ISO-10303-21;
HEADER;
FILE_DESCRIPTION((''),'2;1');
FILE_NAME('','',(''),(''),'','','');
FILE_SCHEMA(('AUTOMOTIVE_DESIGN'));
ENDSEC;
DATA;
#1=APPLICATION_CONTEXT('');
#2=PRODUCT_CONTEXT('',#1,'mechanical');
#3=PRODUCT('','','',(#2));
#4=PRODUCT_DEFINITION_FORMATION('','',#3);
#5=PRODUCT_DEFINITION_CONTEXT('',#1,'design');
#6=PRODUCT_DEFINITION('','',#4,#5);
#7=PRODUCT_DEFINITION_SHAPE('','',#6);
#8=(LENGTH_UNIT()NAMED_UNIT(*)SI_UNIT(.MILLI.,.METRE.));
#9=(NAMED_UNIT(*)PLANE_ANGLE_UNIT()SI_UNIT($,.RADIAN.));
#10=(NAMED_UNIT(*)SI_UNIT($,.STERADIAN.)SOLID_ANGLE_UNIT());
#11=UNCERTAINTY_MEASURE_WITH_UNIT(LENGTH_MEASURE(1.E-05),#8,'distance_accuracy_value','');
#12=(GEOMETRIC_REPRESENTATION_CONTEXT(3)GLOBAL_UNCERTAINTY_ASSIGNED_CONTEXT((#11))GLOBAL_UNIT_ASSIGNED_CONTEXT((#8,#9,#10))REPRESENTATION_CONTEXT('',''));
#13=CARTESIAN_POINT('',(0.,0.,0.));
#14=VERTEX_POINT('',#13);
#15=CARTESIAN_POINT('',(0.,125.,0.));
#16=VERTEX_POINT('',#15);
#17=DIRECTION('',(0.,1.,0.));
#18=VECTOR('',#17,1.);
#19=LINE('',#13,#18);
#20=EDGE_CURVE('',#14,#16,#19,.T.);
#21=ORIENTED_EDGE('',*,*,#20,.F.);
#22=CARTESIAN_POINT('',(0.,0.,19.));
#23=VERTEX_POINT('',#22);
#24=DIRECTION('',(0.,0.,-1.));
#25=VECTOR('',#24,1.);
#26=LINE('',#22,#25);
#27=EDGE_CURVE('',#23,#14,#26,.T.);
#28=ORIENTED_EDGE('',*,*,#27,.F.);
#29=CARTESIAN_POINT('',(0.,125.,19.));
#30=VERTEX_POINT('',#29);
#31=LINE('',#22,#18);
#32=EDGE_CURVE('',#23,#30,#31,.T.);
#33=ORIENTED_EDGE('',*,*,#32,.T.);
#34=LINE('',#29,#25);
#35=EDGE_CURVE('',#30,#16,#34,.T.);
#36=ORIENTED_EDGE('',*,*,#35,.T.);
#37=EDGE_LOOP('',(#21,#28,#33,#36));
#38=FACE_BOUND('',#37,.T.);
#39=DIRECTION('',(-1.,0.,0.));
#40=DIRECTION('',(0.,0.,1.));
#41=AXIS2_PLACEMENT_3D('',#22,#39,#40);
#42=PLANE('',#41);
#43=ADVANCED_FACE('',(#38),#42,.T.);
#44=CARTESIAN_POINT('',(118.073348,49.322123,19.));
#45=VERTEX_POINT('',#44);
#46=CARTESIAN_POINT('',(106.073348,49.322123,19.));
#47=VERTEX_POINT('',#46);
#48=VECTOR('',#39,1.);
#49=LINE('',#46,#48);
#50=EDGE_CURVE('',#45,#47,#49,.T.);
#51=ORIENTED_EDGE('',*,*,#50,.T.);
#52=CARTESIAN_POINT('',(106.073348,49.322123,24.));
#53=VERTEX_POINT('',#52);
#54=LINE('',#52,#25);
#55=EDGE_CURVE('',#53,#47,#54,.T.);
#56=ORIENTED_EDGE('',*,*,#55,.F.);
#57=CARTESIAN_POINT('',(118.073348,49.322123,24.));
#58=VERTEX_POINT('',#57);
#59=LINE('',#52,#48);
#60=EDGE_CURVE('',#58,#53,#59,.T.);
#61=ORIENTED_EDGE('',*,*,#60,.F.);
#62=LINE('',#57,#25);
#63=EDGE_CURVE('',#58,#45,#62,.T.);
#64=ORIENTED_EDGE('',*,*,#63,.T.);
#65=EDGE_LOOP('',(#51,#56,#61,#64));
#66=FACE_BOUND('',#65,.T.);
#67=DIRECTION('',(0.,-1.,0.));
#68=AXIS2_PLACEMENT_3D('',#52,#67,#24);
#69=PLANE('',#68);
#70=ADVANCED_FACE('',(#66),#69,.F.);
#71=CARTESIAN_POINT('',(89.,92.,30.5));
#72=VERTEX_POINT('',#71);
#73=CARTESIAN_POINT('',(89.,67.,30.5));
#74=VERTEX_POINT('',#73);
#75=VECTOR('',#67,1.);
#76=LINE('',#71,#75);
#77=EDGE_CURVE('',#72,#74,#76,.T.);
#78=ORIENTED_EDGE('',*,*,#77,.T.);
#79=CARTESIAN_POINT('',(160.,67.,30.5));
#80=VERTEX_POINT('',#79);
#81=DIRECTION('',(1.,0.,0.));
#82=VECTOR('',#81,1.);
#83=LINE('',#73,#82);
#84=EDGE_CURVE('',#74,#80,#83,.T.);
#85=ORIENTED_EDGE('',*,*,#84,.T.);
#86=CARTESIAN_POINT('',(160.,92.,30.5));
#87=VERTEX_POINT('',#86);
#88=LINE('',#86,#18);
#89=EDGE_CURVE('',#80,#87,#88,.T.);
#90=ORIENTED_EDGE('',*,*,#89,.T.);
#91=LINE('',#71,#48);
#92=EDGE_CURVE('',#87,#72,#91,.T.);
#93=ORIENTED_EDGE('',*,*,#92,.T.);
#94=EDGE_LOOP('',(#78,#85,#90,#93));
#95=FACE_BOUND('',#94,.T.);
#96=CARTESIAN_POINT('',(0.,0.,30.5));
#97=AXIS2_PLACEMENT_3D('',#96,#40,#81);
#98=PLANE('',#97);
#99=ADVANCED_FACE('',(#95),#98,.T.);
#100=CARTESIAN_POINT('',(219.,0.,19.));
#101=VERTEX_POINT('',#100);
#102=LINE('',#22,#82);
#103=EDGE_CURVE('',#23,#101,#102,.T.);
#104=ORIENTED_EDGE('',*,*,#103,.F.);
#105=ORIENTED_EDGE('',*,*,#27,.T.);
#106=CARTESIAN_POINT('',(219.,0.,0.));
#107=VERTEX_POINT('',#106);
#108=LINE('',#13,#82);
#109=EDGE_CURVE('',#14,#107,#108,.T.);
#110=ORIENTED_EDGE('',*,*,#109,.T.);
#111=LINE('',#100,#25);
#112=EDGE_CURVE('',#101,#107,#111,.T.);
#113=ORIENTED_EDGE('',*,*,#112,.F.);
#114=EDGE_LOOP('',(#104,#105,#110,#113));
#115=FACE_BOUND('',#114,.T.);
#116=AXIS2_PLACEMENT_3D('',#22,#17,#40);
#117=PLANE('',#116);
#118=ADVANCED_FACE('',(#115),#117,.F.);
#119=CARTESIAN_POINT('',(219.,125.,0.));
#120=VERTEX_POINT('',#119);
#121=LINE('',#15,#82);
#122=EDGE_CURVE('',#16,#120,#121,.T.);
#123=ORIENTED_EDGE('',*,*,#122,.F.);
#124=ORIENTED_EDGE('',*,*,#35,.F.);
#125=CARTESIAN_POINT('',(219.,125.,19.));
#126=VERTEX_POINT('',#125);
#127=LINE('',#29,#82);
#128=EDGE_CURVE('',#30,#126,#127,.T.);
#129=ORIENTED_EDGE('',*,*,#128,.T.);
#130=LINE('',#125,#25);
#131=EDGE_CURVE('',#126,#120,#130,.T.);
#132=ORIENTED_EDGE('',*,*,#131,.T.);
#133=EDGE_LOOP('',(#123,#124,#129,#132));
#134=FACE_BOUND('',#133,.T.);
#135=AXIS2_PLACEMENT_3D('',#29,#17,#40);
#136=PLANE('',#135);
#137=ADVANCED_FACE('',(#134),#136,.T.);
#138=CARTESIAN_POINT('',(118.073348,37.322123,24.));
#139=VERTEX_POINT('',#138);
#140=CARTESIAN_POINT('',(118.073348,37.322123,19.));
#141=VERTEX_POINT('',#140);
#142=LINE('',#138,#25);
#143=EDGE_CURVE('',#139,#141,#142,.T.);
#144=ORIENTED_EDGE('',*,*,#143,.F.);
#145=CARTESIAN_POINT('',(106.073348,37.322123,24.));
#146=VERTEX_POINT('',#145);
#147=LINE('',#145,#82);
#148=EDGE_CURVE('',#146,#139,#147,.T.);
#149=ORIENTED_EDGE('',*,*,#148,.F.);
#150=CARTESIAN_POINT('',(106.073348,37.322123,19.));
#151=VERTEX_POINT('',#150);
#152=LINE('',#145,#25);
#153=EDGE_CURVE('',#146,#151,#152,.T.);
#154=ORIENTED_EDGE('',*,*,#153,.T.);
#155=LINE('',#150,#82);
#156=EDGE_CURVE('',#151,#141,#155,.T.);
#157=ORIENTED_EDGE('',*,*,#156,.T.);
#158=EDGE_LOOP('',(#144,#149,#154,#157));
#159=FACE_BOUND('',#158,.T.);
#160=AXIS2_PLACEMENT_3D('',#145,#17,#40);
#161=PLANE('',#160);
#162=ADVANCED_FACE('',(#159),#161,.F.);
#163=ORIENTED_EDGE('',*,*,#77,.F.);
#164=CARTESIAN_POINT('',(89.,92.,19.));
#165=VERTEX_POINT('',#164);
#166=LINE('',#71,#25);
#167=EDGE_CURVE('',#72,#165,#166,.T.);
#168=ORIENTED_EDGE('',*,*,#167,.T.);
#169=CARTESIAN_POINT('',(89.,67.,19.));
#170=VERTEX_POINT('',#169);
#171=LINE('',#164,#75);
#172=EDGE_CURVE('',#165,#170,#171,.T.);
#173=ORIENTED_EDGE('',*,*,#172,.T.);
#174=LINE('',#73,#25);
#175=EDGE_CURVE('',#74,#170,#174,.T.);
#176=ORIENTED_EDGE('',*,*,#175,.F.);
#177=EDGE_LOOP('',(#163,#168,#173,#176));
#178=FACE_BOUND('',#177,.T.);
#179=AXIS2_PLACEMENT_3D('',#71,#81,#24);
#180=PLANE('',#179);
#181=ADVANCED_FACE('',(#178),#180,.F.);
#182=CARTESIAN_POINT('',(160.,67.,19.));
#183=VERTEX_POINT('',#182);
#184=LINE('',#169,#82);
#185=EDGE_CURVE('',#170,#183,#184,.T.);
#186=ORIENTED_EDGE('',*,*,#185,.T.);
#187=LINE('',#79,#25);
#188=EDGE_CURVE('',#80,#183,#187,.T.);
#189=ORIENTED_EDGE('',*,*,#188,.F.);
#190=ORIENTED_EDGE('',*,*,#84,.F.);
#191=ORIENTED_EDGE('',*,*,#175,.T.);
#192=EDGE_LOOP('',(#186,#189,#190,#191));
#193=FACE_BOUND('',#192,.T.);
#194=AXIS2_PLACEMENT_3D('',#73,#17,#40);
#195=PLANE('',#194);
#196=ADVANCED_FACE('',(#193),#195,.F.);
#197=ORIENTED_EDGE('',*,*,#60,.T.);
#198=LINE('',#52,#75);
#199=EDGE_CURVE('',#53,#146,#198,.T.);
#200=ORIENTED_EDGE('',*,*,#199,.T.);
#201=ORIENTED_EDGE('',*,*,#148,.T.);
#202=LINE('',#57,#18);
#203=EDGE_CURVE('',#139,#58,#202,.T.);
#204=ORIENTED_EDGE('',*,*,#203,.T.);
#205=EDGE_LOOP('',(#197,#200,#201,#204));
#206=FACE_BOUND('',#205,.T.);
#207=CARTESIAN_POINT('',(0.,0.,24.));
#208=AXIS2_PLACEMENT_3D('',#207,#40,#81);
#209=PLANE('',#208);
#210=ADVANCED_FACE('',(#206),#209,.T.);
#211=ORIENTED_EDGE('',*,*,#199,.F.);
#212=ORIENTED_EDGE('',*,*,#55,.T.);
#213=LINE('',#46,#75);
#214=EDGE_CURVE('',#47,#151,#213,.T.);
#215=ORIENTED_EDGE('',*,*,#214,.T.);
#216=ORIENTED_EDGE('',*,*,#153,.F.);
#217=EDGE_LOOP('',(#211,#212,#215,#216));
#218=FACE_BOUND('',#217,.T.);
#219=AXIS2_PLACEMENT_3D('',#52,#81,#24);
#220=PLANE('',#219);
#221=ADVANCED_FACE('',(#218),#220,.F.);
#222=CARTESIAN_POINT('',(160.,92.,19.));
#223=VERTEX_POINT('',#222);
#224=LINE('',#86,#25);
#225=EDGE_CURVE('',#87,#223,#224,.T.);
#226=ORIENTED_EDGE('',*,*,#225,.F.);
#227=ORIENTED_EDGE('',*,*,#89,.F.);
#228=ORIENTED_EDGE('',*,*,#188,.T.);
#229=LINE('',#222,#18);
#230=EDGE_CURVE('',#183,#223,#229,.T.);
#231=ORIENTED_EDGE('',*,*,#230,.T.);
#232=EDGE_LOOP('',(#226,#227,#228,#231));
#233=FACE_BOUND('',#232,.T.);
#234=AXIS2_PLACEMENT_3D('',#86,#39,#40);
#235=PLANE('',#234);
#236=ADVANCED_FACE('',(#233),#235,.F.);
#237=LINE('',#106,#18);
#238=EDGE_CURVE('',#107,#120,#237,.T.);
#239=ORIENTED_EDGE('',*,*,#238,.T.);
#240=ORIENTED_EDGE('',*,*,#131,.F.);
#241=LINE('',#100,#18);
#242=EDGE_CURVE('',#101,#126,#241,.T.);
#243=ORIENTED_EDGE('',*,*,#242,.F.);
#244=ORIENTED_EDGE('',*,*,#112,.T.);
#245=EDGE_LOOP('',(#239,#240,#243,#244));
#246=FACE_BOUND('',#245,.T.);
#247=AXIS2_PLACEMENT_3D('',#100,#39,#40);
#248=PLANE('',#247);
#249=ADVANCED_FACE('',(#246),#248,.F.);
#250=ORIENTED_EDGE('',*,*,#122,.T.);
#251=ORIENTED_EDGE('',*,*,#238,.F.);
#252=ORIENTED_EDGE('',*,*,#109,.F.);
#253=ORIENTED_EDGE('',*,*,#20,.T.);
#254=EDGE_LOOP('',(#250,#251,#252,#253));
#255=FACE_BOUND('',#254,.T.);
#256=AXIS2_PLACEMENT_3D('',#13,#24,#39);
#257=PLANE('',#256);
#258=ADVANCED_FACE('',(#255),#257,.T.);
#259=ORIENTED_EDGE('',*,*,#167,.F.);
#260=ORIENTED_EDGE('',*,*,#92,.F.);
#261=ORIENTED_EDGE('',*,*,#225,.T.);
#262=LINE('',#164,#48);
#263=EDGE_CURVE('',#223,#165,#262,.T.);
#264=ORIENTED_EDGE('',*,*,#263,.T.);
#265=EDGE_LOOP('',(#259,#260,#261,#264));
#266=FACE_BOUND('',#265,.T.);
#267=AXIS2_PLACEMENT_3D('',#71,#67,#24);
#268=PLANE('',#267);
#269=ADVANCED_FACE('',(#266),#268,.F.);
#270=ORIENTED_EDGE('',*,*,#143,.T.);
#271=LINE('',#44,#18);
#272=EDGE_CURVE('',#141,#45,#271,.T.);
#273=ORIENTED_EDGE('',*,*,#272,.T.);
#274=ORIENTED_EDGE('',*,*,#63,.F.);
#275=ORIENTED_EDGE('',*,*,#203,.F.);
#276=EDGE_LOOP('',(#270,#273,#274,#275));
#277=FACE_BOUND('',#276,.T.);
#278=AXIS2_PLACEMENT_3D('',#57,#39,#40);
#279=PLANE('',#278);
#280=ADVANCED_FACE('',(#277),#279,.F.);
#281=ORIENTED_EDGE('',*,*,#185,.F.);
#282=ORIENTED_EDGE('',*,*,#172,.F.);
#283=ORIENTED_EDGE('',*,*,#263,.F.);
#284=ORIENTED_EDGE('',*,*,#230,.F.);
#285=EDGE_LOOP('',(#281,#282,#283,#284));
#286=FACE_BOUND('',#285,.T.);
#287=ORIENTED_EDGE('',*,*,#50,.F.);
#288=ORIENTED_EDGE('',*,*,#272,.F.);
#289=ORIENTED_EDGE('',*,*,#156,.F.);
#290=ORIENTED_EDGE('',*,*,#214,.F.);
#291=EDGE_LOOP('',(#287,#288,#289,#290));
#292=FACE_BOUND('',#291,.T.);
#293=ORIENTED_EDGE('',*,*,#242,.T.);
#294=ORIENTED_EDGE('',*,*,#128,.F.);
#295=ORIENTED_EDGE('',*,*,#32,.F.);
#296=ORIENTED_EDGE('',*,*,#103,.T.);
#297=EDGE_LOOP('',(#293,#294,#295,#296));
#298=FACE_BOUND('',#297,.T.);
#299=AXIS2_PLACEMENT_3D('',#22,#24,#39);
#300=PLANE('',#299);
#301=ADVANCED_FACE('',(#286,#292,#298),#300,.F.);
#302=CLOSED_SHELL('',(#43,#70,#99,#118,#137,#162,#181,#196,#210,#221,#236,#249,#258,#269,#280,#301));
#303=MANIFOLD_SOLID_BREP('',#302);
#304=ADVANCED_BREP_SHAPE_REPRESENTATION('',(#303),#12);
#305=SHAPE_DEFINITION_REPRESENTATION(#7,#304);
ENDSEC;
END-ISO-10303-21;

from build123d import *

# Parameters (mm, degrees)
ESQUISSE1_W        = 219
ESQUISSE1_H        = 125
BOSS_EXTRU_1_DEPTH = 19
ESQUISSE2_W        = 71
ESQUISSE2_H        = 25
BOSS_EXTRU_2_DEPTH = 11.5
ESQUISSE3_W        = 12
ESQUISSE3_H        = 12
BOSS_EXTRU_3_DEPTH = 5


with BuildPart() as part:
    # Esquisse1 → Boss.-Extru.1 (new body)
    with BuildSketch(Plane.XY):
        with Locations((109.5, 62.5)):
            Rectangle(ESQUISSE1_W, ESQUISSE1_H)
    extrude(amount=BOSS_EXTRU_1_DEPTH)

    # Esquisse2 → Boss.-Extru.2 (add)
    with BuildSketch(Plane.XY.offset(19)):
        with Locations((124.5, 79.5)):
            Rectangle(ESQUISSE2_W, ESQUISSE2_H)
    extrude(amount=BOSS_EXTRU_2_DEPTH)

    # Esquisse3 → Boss.-Extru.3 (add)
    with BuildSketch(Plane.XY.offset(19)):
        with Locations((112.07334821, 43.322122936)):
            Rectangle(ESQUISSE3_W, ESQUISSE3_H)
    extrude(amount=BOSS_EXTRU_3_DEPTH)


solid = part.part
